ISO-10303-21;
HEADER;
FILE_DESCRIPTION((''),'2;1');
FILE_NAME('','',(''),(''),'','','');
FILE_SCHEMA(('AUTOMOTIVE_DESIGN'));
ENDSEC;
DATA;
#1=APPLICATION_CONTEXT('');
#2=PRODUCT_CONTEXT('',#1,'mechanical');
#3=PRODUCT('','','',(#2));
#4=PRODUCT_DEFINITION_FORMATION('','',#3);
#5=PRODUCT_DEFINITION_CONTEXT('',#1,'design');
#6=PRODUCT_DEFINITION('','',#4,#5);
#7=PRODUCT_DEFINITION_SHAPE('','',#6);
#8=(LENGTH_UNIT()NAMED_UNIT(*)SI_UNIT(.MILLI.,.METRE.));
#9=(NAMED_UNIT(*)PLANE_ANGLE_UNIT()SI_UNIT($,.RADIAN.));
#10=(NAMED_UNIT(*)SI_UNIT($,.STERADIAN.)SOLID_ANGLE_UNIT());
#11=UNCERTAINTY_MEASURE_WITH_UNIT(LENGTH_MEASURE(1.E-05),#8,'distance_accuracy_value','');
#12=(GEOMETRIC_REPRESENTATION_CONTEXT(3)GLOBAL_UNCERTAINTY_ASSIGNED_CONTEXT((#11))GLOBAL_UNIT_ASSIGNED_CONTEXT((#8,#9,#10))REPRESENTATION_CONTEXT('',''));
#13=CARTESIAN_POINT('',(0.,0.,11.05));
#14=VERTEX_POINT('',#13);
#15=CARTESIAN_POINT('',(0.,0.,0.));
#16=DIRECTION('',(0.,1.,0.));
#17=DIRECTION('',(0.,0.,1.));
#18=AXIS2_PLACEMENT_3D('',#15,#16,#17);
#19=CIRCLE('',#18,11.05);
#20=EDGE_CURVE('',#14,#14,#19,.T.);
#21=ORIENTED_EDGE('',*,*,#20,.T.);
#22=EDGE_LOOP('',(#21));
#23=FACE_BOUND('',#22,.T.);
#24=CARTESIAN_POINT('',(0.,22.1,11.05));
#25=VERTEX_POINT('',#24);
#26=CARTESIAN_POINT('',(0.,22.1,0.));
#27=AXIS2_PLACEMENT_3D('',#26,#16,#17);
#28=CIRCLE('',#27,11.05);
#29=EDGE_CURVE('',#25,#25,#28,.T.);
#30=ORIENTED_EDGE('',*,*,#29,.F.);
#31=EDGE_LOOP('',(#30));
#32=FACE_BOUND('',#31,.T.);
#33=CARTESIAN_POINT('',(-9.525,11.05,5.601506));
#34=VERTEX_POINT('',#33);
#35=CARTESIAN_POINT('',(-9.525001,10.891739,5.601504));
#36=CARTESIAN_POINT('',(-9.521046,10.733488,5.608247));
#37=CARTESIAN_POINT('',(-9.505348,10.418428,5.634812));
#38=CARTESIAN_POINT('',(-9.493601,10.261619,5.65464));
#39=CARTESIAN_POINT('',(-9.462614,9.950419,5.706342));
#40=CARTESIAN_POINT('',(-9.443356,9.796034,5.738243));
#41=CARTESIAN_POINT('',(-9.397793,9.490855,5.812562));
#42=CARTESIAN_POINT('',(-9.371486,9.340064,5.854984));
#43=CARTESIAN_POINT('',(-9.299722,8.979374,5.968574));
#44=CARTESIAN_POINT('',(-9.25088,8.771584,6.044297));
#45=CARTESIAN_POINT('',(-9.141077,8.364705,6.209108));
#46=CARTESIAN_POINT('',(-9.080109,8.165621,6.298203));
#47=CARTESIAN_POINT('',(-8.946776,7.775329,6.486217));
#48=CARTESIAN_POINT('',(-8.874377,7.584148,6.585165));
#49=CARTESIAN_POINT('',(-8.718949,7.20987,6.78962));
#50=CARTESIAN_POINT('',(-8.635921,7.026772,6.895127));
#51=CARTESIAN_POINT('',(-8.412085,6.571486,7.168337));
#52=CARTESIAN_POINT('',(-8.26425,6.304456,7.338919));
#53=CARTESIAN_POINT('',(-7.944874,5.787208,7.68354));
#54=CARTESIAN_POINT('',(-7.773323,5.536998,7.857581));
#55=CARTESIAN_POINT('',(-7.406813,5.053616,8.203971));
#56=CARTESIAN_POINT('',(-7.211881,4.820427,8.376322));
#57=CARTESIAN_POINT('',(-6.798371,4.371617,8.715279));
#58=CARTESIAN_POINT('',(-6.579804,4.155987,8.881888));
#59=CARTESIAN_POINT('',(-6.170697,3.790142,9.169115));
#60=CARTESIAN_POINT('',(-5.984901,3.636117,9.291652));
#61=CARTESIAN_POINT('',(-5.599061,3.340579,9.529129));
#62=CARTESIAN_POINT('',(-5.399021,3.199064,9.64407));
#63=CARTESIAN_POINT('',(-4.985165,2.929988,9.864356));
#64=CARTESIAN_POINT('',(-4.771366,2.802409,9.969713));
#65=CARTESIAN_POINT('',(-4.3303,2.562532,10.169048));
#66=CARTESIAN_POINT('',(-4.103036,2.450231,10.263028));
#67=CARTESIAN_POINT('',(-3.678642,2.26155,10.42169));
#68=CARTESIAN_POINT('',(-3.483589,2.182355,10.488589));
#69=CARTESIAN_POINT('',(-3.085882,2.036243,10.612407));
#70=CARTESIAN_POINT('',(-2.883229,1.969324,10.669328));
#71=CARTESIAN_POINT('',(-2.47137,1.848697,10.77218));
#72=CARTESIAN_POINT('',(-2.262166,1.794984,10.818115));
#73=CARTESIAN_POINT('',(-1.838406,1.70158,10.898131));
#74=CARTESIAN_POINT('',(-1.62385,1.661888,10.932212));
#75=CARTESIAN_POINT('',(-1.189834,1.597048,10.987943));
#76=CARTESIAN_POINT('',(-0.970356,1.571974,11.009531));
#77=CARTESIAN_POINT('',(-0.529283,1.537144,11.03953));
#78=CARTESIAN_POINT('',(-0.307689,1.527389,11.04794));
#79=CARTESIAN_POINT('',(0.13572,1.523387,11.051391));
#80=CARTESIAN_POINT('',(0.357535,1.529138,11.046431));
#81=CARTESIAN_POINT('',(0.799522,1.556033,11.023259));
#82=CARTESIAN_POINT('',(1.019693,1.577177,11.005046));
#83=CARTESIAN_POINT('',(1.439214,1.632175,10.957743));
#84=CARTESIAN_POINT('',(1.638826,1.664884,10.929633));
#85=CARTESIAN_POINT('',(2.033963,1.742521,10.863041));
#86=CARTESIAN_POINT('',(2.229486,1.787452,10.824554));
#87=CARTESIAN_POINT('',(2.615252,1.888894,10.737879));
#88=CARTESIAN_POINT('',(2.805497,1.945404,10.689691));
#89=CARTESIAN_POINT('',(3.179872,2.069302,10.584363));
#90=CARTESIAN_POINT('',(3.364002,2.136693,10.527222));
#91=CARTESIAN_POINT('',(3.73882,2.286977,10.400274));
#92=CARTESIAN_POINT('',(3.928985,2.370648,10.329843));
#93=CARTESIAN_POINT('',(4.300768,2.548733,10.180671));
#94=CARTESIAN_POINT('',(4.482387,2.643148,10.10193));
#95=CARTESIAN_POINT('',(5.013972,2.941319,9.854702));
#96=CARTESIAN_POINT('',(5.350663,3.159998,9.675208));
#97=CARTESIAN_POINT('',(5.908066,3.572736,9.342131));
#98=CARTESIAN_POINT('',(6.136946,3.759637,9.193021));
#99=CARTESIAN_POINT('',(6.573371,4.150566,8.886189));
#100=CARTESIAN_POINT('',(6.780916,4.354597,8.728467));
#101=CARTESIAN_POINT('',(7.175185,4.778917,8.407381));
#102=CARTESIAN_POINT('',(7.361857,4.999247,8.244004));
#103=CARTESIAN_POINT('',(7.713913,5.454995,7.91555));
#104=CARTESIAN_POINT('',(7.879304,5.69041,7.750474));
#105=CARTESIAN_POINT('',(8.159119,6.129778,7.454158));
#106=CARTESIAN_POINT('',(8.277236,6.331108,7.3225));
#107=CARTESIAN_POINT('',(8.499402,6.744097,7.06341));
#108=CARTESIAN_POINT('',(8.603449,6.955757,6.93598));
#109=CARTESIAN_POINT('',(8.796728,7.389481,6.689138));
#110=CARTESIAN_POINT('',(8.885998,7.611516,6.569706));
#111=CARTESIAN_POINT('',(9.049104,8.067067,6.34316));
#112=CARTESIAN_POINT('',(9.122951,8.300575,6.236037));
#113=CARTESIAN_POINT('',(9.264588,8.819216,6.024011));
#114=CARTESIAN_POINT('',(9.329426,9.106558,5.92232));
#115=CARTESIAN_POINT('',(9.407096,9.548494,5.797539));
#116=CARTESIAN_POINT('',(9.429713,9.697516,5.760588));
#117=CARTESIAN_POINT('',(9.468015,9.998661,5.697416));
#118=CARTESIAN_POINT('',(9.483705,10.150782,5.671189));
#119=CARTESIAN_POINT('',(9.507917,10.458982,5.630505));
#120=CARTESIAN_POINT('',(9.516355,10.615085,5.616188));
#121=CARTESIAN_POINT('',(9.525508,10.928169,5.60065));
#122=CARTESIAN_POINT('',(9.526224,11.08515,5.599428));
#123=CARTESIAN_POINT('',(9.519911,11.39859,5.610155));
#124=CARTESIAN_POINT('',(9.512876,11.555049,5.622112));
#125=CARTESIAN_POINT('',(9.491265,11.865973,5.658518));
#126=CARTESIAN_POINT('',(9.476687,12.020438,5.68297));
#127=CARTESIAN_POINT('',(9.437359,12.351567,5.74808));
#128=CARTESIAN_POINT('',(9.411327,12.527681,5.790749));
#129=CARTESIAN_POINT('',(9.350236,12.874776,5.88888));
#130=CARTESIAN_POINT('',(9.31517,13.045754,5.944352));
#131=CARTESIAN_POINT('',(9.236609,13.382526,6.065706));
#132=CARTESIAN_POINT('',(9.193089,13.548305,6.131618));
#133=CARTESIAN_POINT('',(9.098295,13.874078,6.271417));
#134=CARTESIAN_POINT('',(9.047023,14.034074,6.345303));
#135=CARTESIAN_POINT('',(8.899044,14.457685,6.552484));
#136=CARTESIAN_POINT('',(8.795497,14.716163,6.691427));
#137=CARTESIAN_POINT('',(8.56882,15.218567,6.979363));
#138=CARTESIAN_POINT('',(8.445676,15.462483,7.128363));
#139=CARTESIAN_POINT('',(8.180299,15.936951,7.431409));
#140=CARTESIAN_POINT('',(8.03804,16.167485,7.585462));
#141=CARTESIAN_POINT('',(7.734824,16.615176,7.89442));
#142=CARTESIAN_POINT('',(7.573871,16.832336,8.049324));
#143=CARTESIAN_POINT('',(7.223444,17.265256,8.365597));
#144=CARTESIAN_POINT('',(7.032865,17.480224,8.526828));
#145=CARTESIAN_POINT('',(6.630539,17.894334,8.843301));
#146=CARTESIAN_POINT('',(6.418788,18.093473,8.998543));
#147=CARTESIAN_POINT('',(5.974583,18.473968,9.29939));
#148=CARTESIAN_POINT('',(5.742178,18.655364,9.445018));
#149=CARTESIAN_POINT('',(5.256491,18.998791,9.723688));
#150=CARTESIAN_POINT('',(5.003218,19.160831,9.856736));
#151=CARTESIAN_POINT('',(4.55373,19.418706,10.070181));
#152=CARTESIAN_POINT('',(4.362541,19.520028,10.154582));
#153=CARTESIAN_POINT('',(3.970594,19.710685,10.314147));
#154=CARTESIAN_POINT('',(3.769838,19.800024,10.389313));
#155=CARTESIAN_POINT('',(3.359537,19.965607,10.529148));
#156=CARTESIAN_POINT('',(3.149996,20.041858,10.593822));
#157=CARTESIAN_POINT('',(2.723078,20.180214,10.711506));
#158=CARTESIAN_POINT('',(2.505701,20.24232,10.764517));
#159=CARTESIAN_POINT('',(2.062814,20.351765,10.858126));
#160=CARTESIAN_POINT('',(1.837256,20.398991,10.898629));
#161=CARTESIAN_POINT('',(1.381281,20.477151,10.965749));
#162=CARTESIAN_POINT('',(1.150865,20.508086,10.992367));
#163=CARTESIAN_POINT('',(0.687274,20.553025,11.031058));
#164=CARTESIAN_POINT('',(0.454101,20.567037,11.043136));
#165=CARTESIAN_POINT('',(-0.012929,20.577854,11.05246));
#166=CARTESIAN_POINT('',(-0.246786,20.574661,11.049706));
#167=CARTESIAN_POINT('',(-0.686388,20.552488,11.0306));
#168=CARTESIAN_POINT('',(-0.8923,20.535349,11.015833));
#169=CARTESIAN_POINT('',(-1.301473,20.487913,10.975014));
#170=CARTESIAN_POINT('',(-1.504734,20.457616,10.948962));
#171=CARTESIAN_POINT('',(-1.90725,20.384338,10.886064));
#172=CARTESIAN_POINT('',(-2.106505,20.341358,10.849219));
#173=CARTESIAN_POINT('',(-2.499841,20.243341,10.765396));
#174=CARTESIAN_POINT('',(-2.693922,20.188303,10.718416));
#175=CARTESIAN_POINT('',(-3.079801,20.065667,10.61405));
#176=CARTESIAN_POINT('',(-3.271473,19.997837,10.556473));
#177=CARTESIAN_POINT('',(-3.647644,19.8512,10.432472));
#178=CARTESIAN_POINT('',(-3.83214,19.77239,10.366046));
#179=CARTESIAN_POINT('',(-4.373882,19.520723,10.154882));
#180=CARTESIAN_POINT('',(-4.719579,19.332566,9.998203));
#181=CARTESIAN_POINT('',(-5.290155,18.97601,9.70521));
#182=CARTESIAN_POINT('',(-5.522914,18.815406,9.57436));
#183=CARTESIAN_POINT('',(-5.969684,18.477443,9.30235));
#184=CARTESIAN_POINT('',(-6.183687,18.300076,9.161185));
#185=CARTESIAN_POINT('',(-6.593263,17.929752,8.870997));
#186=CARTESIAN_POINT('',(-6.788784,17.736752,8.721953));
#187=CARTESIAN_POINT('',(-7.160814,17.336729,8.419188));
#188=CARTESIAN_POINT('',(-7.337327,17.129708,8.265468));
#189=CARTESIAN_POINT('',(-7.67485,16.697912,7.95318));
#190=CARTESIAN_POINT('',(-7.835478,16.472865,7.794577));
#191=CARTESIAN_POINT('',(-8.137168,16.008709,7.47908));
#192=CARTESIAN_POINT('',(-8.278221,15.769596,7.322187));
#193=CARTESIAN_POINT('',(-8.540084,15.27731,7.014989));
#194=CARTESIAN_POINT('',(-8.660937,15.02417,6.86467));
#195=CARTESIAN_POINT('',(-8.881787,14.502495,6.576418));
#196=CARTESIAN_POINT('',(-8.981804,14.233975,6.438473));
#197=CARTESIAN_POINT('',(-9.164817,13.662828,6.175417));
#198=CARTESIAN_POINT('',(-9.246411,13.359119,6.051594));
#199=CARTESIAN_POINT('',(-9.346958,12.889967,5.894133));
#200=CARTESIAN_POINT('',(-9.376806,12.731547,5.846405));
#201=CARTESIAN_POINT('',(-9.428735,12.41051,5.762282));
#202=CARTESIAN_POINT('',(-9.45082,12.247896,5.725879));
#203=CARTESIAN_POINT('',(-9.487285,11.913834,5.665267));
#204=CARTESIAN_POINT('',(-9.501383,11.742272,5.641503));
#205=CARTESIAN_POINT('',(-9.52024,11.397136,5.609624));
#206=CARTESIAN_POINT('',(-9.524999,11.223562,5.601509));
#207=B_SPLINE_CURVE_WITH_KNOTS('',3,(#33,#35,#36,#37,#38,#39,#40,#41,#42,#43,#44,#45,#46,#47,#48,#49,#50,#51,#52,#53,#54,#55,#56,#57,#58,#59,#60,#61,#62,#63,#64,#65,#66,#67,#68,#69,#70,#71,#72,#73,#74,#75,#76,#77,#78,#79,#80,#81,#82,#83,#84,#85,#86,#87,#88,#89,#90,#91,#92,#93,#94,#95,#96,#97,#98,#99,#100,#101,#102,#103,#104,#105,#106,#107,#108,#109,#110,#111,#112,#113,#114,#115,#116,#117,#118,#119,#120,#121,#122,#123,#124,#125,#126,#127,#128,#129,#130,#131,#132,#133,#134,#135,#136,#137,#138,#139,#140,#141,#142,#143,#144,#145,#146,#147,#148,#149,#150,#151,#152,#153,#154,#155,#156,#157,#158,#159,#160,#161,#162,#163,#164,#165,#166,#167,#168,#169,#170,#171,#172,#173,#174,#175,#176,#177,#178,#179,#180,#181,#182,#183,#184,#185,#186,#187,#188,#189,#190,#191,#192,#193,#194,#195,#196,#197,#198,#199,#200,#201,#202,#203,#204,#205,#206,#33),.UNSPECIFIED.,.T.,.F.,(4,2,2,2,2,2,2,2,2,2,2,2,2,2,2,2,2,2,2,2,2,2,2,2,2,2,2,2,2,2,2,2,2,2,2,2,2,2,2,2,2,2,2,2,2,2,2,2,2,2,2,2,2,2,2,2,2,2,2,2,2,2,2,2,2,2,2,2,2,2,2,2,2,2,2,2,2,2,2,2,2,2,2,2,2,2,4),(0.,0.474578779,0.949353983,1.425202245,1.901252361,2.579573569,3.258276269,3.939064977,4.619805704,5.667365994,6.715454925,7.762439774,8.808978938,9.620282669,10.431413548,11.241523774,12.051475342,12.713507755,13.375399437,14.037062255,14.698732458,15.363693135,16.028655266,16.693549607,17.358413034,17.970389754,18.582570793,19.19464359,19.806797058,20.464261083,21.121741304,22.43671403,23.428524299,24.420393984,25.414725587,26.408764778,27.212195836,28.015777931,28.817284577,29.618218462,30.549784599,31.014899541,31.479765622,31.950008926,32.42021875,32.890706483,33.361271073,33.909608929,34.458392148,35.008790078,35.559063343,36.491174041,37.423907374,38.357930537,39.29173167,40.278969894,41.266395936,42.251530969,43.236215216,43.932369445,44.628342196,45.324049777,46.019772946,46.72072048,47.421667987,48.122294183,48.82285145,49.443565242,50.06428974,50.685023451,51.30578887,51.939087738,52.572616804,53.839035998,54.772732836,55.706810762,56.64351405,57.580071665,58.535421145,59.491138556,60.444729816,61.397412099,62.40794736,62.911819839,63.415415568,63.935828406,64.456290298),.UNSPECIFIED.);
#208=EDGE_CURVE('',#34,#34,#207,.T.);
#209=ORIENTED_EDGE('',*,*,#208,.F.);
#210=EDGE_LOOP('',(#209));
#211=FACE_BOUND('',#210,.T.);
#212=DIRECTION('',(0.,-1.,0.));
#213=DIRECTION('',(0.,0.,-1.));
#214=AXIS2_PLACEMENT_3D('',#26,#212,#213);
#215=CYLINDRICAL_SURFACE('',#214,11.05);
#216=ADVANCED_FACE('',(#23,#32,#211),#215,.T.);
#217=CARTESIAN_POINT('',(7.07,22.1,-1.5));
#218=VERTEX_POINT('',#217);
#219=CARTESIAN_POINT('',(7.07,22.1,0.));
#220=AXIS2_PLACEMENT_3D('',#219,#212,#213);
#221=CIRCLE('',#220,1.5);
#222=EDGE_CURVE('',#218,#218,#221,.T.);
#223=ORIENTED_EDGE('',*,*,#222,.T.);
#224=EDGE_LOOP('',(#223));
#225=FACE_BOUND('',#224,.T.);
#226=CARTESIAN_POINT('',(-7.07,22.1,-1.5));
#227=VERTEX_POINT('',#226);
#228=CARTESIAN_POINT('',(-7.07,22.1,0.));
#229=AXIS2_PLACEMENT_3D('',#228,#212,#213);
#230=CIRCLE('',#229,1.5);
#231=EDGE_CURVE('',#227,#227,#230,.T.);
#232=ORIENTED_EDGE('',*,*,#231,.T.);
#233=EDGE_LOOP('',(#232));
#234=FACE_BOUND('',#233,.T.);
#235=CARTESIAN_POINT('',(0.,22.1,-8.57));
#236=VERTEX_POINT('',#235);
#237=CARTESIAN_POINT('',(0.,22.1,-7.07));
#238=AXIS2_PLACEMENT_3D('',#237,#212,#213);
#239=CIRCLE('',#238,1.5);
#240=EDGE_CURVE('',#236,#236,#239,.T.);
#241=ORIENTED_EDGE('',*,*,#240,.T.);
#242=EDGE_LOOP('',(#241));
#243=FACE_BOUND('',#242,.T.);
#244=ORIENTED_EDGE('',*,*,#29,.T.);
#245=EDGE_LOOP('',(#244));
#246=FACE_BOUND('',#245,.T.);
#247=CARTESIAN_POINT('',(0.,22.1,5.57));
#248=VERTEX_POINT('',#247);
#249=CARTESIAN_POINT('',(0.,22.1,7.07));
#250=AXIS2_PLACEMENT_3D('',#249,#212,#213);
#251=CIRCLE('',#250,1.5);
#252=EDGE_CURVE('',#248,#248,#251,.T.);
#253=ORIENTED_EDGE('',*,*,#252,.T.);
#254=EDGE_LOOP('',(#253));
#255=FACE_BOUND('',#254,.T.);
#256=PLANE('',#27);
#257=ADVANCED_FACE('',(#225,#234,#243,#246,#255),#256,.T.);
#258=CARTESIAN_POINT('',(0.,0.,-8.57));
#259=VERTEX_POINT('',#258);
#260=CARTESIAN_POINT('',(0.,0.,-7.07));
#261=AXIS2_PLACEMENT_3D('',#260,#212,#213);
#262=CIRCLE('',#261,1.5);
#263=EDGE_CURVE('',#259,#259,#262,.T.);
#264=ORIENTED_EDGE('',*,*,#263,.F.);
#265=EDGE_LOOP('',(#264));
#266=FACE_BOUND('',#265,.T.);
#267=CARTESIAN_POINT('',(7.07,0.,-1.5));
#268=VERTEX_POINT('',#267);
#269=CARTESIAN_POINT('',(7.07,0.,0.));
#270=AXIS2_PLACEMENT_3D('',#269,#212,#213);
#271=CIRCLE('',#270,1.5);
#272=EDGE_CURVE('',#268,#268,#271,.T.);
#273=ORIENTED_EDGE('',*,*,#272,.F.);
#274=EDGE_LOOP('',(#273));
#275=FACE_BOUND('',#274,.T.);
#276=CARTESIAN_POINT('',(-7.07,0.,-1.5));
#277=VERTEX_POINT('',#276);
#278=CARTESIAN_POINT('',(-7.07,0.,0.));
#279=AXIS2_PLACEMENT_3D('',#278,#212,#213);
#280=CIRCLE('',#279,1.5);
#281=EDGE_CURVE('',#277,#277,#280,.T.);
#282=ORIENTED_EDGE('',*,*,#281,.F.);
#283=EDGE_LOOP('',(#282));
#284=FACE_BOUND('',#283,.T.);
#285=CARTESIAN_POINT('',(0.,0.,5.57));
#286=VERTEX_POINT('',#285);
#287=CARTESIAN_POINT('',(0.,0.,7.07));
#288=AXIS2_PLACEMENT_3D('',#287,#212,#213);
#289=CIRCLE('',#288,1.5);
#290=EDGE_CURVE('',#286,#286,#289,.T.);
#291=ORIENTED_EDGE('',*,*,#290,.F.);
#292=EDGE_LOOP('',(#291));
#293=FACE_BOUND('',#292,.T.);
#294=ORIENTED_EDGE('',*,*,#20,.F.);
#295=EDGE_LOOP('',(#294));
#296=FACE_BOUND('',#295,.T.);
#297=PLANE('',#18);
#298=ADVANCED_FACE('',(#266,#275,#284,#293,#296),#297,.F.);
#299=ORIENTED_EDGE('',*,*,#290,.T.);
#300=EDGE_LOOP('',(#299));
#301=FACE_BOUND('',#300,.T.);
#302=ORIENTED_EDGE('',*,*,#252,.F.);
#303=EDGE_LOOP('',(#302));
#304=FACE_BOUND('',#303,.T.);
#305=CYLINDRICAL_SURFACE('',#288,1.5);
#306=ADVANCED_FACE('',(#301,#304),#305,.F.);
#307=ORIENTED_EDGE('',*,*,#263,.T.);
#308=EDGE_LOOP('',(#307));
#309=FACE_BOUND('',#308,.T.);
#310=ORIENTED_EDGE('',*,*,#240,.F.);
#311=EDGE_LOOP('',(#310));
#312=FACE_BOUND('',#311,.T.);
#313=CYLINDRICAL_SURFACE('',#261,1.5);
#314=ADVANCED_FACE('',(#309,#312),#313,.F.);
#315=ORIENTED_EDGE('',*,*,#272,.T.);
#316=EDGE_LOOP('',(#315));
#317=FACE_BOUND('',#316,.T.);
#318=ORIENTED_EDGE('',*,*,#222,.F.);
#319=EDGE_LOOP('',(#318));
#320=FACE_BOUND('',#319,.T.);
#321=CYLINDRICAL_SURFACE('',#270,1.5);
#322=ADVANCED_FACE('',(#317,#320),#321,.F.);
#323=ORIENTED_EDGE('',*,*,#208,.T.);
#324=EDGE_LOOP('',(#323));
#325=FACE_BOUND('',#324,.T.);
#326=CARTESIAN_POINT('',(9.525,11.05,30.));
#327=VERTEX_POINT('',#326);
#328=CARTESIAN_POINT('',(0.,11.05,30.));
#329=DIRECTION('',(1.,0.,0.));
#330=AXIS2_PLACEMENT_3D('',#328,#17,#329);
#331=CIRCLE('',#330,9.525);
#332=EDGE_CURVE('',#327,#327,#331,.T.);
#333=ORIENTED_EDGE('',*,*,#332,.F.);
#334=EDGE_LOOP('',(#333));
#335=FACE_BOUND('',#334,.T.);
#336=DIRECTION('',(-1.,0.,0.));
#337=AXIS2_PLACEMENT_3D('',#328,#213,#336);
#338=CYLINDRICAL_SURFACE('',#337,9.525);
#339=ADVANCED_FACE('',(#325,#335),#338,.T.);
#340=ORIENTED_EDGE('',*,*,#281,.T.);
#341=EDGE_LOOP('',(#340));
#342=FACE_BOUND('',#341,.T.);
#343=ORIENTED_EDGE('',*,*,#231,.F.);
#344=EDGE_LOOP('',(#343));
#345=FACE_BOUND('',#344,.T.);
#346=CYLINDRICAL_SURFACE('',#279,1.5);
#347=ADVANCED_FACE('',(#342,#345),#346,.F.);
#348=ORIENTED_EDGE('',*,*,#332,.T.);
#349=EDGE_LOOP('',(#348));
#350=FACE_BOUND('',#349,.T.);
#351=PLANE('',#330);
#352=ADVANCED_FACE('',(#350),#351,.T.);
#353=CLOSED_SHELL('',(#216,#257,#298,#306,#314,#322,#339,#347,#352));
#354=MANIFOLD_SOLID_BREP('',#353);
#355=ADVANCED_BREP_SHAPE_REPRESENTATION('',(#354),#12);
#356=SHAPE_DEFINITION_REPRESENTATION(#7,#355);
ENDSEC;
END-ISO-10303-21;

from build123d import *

# Parameters (mm, degrees)
SKETCH1_R             = 11.05
BOSS_EXTRUDE1_DEPTH   = 22.1
SKETCH4_R             = 9.525
BOSS_EXTRUDE3_DEPTH   = 30
F_3_0MM_DOWEL_HOLE1_D = 3


with BuildPart() as part:
    # Sketch1 → Boss-Extrude1 (new body)
    with BuildSketch(Plane(origin=(0, 0, 0), x_dir=(1, 0, 0), z_dir=(0, 1, 0))):
        with Locations(Location((0, 0, 0), (0, 0, 270))):
            Circle(SKETCH1_R)
    extrude(amount=BOSS_EXTRUDE1_DEPTH)

    # Sketch4 → Boss-Extrude3 (add)
    with BuildSketch(Plane.XY):
        with Locations(Location((0, 11.05, 0), (0, 0, 180))):
            Circle(SKETCH4_R)
    extrude(amount=BOSS_EXTRUDE3_DEPTH)

    # Ø3.0mm Dowel Hole1 (through all)
    with Locations(Plane(origin=(0, 0, 0), x_dir=(-1, 0, 0), z_dir=(0, -1, 0))):
        with Locations((7.07, 0), (0, 7.07), (-7.07, 0), (0, -7.07)):
            Hole(F_3_0MM_DOWEL_HOLE1_D / 2)


solid = part.part
